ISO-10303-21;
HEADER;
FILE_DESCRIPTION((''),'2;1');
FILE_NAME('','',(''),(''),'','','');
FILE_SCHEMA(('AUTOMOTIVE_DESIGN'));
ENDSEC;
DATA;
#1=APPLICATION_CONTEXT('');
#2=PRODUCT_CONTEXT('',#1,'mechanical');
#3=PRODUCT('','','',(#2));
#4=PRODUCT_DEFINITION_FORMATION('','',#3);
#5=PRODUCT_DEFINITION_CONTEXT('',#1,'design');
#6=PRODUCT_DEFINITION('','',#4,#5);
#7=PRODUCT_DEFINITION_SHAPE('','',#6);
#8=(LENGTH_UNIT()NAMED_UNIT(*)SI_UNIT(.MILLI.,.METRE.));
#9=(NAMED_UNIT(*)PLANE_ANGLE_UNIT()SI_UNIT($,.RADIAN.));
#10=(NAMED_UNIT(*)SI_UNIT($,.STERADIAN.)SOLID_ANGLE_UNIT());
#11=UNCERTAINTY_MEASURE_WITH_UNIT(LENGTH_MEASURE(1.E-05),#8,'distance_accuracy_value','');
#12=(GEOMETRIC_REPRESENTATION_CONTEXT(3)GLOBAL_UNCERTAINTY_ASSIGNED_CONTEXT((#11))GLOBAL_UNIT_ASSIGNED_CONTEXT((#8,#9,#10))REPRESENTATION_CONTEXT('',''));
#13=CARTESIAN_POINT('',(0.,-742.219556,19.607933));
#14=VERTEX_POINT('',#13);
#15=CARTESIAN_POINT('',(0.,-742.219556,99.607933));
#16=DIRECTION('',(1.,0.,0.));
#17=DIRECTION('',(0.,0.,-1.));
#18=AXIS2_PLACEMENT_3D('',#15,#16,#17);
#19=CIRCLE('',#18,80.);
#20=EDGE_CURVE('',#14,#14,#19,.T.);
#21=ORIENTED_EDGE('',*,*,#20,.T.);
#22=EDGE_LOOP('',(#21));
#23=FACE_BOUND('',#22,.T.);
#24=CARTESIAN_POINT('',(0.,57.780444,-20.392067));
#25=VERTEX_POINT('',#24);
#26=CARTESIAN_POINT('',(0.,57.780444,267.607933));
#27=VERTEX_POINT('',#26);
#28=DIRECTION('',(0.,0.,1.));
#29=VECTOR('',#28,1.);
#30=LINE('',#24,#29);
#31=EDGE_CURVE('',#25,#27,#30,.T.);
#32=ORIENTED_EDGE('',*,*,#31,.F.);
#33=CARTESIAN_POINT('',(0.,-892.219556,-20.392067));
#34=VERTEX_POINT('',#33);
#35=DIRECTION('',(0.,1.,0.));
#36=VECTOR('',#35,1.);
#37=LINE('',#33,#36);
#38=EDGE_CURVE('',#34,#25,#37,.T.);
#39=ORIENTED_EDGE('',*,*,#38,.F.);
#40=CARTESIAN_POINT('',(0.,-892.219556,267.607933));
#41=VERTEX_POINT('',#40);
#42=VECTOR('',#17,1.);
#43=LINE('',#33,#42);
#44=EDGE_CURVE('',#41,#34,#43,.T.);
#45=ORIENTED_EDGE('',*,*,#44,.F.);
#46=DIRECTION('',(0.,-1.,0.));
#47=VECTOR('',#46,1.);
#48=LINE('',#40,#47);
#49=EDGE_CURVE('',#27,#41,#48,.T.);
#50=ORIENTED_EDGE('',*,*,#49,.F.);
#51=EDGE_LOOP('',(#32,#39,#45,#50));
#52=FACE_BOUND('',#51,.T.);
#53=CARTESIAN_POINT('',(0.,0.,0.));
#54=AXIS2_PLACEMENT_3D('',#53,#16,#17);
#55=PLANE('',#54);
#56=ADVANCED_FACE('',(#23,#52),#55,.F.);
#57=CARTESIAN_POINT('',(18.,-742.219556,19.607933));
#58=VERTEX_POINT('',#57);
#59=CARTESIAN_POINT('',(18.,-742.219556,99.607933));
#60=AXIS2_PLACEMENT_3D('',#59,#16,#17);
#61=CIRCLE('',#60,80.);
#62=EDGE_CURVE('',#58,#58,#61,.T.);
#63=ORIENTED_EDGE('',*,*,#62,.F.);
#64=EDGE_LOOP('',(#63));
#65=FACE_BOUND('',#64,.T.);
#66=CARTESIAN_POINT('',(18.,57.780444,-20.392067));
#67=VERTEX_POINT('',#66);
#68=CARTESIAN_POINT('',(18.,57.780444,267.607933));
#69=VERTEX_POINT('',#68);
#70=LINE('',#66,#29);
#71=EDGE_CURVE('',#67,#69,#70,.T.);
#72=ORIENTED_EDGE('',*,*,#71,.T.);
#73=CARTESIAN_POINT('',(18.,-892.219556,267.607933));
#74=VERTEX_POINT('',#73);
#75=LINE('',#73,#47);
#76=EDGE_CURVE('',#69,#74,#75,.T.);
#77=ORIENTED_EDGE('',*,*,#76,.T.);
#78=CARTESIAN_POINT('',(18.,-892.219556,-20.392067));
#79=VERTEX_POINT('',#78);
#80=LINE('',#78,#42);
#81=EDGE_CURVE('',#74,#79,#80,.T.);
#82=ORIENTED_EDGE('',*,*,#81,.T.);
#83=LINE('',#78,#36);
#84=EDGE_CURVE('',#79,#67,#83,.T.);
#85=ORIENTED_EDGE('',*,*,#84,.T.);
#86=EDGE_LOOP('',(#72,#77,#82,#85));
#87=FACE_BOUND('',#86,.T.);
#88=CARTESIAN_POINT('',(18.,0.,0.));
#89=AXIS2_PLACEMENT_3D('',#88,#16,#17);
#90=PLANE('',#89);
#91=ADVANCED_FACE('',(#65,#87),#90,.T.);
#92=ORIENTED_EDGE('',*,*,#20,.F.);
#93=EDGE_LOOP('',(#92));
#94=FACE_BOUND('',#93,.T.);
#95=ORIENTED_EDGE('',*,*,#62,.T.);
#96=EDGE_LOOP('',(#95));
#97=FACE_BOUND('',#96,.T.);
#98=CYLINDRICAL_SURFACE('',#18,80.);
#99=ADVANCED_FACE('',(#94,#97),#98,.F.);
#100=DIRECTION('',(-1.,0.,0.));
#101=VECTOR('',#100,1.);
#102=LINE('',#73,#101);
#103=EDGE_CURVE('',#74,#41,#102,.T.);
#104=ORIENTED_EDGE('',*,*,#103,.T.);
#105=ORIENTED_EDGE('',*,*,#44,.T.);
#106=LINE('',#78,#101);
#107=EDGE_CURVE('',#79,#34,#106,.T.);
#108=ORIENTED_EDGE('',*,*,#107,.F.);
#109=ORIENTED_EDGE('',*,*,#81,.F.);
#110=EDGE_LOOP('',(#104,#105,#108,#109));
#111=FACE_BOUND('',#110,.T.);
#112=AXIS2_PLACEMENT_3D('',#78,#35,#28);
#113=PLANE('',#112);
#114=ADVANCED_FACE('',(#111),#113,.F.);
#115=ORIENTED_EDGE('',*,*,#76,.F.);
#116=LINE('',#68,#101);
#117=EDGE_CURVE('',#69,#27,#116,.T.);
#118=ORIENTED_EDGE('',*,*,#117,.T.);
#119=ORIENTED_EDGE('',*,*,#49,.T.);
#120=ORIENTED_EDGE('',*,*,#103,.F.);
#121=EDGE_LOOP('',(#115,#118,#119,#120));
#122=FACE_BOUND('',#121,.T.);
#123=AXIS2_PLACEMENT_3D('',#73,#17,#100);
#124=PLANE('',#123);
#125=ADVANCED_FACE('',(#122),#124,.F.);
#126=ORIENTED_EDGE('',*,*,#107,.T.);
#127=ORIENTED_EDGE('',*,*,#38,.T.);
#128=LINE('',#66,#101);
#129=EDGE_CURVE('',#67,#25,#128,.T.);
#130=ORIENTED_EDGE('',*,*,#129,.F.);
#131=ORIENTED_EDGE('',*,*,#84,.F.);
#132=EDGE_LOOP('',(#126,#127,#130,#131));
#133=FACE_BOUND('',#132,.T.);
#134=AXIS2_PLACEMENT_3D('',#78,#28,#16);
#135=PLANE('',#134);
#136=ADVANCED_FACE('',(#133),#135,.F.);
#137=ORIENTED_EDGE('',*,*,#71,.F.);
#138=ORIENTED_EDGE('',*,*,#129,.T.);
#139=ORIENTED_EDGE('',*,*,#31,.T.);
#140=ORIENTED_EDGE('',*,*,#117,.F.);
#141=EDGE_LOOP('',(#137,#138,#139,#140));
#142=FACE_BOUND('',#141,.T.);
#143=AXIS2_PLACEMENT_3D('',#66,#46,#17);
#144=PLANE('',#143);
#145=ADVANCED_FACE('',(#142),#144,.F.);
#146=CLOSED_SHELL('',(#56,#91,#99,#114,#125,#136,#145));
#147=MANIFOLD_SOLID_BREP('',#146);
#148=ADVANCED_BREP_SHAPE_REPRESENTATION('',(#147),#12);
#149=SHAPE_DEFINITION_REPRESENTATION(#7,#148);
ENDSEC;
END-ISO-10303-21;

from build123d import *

# Parameters (mm, degrees)
SKETCH1_W           = 288
SKETCH1_H           = 950
BOSS_EXTRUDE1_DEPTH = 18
SKETCH2_R           = 80
CUT_EXTRUDE1_DEPTH  = 19


with BuildPart() as part:
    # Sketch1 → Boss-Extrude1 (new body)
    with BuildSketch(Plane(origin=(0, 0, 0), x_dir=(0, 0, -1), z_dir=(1, 0, 0))):
        with Locations((-123.607933189, -417.219556499)):
            Rectangle(SKETCH1_W, SKETCH1_H)
    extrude(amount=BOSS_EXTRUDE1_DEPTH)

    # Sketch2 → Cut-Extrude1 (cut, through all)
    with BuildSketch(Plane(origin=(18, 0, 0), x_dir=(0, 0, -1), z_dir=(1, 0, 0))):
        with Locations((-99.607933189, -742.219556499)):
            Circle(SKETCH2_R)
    extrude(amount=-CUT_EXTRUDE1_DEPTH, mode=Mode.SUBTRACT)


solid = part.part
